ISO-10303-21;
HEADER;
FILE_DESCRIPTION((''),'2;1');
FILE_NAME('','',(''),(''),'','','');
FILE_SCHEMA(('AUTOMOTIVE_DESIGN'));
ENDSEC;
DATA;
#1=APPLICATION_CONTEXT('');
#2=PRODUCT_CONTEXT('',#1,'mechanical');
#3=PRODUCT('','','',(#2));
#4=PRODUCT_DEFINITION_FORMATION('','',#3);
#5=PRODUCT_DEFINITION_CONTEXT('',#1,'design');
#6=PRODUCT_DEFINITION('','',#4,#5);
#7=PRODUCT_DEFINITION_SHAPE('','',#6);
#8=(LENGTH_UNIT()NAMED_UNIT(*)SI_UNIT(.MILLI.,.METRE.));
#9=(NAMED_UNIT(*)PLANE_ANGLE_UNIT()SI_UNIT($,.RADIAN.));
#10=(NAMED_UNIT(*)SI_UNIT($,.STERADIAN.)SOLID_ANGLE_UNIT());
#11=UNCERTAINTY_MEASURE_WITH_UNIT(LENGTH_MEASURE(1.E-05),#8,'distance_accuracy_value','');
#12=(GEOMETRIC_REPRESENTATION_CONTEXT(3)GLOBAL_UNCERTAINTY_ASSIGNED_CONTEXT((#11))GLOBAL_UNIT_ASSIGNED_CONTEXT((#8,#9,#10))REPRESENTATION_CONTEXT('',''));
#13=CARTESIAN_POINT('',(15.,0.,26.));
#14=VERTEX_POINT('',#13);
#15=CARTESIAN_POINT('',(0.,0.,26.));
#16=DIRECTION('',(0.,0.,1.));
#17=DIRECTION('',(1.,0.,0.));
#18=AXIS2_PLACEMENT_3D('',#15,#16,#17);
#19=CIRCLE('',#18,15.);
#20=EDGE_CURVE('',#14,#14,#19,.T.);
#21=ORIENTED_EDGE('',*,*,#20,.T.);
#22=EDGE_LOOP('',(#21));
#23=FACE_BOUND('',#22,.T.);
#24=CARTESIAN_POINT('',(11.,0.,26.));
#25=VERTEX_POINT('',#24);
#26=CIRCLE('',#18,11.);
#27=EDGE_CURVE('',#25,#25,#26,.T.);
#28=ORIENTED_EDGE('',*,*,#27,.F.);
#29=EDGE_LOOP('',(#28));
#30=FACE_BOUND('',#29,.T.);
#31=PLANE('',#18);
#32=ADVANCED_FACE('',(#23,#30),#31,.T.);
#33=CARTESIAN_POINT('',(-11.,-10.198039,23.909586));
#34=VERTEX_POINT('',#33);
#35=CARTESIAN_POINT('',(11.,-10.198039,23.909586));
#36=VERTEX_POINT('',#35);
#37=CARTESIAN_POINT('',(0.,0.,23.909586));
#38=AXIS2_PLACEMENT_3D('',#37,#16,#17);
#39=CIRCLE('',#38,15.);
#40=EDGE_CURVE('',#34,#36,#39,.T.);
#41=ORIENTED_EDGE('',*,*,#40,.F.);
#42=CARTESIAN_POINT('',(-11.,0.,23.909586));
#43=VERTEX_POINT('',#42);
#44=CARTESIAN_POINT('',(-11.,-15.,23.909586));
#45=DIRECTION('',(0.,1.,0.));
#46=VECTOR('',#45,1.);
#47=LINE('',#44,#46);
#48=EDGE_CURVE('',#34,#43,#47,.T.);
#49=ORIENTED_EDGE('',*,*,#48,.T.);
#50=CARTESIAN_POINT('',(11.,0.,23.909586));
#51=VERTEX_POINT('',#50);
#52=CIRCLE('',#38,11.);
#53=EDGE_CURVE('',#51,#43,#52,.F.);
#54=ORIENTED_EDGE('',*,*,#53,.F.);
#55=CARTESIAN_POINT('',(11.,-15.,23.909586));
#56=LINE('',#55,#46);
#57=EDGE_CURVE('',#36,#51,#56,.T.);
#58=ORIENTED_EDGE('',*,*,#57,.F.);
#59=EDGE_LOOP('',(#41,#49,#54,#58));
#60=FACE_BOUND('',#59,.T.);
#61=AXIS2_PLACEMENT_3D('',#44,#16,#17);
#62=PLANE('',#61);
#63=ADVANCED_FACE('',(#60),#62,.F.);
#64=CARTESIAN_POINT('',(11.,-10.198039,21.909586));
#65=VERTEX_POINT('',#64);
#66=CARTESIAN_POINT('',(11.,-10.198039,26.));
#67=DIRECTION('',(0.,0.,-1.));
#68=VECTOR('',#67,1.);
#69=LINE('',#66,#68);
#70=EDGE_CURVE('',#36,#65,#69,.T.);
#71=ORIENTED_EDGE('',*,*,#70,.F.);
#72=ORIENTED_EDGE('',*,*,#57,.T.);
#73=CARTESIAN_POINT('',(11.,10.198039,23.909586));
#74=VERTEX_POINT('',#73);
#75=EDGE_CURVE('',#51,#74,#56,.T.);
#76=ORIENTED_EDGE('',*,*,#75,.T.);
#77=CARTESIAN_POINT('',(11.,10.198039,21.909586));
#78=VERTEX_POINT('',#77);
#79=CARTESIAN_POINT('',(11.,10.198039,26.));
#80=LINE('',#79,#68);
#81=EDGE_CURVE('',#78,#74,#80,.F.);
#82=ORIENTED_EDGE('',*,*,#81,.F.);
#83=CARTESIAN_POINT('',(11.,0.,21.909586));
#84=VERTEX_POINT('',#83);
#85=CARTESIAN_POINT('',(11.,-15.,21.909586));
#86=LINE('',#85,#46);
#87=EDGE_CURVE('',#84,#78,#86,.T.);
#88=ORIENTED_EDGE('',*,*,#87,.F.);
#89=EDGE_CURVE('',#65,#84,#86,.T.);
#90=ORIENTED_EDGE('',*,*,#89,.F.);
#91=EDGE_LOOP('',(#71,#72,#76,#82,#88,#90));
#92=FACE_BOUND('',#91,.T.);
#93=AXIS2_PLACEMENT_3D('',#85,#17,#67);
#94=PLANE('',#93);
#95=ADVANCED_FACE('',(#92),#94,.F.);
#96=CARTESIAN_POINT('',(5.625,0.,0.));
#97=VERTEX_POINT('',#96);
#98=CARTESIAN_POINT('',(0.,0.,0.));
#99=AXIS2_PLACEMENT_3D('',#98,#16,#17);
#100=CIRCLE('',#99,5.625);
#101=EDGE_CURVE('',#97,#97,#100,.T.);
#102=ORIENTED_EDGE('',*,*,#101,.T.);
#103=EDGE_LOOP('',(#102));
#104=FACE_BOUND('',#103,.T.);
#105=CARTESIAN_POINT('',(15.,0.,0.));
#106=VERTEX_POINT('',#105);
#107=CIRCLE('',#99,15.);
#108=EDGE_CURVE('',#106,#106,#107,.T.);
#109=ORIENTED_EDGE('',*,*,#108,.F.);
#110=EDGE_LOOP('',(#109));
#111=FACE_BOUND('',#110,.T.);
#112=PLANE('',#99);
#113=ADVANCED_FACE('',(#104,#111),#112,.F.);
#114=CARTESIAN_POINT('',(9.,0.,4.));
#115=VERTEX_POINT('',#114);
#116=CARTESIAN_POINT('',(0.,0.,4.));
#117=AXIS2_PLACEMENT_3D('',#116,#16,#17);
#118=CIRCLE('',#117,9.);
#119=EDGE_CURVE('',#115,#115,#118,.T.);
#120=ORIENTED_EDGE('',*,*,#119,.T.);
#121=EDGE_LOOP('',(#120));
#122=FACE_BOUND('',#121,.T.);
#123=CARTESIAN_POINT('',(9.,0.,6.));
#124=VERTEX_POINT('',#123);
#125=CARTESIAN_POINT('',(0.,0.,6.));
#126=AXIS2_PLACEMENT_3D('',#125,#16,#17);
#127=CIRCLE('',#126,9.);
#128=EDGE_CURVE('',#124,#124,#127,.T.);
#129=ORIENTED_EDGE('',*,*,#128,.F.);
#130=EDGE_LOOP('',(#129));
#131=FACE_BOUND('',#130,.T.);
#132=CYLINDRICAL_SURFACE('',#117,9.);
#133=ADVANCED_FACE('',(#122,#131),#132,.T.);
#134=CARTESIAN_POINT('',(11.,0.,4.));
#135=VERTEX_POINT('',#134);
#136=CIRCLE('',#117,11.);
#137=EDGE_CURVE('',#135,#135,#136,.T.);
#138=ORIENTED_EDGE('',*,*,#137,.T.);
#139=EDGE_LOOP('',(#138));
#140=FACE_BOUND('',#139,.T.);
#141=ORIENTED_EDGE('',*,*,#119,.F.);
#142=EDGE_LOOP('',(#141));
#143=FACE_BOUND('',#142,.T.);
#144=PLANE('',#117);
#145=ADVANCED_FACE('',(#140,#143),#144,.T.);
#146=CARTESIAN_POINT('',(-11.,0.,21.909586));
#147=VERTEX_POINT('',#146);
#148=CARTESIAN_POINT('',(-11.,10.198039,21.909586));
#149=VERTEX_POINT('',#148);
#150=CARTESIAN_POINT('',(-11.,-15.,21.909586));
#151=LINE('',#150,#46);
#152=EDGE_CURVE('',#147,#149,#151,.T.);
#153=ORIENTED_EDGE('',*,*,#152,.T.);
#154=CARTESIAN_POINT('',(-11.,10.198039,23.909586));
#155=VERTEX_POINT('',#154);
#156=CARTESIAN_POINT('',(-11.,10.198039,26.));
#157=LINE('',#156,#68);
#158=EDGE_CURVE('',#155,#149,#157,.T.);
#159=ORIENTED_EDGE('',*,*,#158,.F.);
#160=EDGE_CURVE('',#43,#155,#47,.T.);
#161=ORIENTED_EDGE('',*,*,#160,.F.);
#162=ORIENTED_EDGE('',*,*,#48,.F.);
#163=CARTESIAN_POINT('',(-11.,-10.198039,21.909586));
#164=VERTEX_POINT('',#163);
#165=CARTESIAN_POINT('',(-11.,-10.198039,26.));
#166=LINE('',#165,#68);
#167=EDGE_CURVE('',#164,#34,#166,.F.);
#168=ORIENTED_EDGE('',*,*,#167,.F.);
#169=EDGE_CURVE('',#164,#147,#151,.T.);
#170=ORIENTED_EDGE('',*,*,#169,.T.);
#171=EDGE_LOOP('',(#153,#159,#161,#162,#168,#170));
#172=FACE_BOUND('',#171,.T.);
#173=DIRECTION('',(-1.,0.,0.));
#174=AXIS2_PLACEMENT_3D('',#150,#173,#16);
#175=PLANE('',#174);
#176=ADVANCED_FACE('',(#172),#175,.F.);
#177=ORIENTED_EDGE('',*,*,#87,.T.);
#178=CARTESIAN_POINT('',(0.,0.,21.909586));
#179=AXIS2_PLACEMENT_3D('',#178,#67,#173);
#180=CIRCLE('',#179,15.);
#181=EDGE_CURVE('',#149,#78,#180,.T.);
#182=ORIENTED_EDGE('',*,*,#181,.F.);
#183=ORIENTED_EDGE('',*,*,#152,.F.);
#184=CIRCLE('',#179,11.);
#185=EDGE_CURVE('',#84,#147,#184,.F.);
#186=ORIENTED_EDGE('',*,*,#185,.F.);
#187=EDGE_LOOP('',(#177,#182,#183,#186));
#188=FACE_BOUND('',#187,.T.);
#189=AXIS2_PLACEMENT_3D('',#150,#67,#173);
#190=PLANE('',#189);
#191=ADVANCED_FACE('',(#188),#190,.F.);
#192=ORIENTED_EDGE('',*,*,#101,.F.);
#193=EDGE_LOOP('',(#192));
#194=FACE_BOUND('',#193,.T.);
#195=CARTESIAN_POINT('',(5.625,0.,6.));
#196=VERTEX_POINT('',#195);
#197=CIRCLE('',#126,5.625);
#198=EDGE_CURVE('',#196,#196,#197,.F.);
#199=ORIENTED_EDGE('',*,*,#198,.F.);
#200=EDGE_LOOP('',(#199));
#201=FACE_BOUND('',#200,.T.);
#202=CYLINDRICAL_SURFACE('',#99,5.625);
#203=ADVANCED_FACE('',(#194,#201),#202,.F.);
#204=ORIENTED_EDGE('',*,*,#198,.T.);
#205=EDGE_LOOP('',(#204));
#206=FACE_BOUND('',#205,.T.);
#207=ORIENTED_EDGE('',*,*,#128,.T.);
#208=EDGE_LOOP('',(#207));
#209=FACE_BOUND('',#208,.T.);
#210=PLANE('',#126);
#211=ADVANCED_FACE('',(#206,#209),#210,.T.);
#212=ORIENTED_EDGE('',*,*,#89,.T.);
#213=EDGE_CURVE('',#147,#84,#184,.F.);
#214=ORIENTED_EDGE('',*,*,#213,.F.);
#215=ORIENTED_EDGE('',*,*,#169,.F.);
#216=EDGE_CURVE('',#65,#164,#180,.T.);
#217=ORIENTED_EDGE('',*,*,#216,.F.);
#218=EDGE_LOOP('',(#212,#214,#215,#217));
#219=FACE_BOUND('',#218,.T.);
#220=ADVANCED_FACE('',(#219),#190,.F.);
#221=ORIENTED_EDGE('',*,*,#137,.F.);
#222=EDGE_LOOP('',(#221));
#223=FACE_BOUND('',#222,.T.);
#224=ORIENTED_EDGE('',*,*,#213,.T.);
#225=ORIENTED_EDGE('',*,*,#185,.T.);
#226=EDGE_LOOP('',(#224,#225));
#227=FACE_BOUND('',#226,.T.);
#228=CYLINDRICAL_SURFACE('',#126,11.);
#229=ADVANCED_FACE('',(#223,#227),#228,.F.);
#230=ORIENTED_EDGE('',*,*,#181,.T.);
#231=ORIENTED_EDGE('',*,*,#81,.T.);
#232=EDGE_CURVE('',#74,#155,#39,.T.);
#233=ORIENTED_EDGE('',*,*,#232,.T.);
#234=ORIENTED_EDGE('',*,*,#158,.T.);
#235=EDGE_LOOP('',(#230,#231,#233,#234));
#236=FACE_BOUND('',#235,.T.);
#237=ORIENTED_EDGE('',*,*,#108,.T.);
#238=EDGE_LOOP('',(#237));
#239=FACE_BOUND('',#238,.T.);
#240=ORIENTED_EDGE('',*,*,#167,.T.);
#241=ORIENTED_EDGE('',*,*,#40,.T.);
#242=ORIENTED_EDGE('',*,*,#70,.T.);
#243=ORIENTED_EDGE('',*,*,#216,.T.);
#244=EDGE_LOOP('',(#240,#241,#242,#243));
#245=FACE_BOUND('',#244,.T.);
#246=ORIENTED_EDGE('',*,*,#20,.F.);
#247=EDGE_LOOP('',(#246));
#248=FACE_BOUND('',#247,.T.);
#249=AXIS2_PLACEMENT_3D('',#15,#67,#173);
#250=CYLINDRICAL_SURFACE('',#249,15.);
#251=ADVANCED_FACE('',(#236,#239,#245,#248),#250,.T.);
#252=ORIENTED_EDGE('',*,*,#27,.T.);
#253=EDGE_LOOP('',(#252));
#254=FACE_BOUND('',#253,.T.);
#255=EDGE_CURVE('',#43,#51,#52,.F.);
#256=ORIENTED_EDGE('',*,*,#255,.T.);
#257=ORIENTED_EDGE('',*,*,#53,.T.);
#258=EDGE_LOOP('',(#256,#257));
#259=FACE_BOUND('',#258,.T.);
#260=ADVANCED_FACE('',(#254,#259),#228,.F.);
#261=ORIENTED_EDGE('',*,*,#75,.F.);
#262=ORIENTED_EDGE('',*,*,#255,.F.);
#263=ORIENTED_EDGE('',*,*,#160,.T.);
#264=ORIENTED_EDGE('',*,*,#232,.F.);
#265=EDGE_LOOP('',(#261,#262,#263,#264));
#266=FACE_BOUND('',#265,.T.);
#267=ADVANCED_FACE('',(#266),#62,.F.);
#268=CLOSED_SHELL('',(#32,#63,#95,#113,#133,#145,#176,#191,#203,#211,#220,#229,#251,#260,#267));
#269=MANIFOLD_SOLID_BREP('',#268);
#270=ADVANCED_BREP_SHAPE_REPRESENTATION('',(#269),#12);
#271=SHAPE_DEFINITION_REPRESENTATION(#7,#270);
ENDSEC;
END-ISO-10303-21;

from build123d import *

# Parameters (mm, degrees)
SKETCH1_R               = 15
BOSS_EXTRUDE5_DEPTH     = 26
SKETCH3_R               = 5.625
CUT_EXTRUDE2_DEPTH      = 34.555923471
SKETCH4_R               = 11
CUT_EXTRUDE3_DEPTH      = 20
CUT_EXTRUDE4_DEPTH      = 34.555923471
CUT_EXTRUDE4_DEPTH_BACK = 34.555923471
SKETCH6_W               = 22
SKETCH6_H               = 2
CUT_EXTRUDE6_START      = 6
SKETCH7_R               = 11
SKETCH7_R_2             = 9
CUT_EXTRUDE6_DEPTH      = 2


with BuildPart() as part:
    # Sketch1 → Boss-Extrude5 (new body)
    with BuildSketch(Plane.XY):
        Circle(SKETCH1_R)
    extrude(amount=BOSS_EXTRUDE5_DEPTH)

    # Sketch3 → Cut-Extrude2 (cut, through all)
    with BuildSketch(Plane.XY.offset(26)):
        Circle(SKETCH3_R)
    extrude(amount=-CUT_EXTRUDE2_DEPTH, mode=Mode.SUBTRACT)

    # Sketch4 → Cut-Extrude3 (cut)
    with BuildSketch(Plane.XY.offset(26)):
        Circle(SKETCH4_R)
    extrude(amount=-CUT_EXTRUDE3_DEPTH, mode=Mode.SUBTRACT)

    # Sketch6 → Cut-Extrude4 (cut, two sides: drawn at the far end of the back side and taken through both)
    with BuildSketch(Plane(origin=(0, 0, 0), x_dir=(1, 0, 0), z_dir=(0, 1, 0)).offset(-CUT_EXTRUDE4_DEPTH_BACK)):
        with Locations((0, -22.90958557)):
            Rectangle(SKETCH6_W, SKETCH6_H)
    extrude(amount=CUT_EXTRUDE4_DEPTH + CUT_EXTRUDE4_DEPTH_BACK, mode=Mode.SUBTRACT)

    # Sketch7 → Cut-Extrude6 (cut)
    with BuildSketch(Plane.XY.offset(CUT_EXTRUDE6_START)):
        Circle(SKETCH7_R)
        Circle(SKETCH7_R_2, mode=Mode.SUBTRACT)
    extrude(amount=-CUT_EXTRUDE6_DEPTH, mode=Mode.SUBTRACT)


solid = part.part
